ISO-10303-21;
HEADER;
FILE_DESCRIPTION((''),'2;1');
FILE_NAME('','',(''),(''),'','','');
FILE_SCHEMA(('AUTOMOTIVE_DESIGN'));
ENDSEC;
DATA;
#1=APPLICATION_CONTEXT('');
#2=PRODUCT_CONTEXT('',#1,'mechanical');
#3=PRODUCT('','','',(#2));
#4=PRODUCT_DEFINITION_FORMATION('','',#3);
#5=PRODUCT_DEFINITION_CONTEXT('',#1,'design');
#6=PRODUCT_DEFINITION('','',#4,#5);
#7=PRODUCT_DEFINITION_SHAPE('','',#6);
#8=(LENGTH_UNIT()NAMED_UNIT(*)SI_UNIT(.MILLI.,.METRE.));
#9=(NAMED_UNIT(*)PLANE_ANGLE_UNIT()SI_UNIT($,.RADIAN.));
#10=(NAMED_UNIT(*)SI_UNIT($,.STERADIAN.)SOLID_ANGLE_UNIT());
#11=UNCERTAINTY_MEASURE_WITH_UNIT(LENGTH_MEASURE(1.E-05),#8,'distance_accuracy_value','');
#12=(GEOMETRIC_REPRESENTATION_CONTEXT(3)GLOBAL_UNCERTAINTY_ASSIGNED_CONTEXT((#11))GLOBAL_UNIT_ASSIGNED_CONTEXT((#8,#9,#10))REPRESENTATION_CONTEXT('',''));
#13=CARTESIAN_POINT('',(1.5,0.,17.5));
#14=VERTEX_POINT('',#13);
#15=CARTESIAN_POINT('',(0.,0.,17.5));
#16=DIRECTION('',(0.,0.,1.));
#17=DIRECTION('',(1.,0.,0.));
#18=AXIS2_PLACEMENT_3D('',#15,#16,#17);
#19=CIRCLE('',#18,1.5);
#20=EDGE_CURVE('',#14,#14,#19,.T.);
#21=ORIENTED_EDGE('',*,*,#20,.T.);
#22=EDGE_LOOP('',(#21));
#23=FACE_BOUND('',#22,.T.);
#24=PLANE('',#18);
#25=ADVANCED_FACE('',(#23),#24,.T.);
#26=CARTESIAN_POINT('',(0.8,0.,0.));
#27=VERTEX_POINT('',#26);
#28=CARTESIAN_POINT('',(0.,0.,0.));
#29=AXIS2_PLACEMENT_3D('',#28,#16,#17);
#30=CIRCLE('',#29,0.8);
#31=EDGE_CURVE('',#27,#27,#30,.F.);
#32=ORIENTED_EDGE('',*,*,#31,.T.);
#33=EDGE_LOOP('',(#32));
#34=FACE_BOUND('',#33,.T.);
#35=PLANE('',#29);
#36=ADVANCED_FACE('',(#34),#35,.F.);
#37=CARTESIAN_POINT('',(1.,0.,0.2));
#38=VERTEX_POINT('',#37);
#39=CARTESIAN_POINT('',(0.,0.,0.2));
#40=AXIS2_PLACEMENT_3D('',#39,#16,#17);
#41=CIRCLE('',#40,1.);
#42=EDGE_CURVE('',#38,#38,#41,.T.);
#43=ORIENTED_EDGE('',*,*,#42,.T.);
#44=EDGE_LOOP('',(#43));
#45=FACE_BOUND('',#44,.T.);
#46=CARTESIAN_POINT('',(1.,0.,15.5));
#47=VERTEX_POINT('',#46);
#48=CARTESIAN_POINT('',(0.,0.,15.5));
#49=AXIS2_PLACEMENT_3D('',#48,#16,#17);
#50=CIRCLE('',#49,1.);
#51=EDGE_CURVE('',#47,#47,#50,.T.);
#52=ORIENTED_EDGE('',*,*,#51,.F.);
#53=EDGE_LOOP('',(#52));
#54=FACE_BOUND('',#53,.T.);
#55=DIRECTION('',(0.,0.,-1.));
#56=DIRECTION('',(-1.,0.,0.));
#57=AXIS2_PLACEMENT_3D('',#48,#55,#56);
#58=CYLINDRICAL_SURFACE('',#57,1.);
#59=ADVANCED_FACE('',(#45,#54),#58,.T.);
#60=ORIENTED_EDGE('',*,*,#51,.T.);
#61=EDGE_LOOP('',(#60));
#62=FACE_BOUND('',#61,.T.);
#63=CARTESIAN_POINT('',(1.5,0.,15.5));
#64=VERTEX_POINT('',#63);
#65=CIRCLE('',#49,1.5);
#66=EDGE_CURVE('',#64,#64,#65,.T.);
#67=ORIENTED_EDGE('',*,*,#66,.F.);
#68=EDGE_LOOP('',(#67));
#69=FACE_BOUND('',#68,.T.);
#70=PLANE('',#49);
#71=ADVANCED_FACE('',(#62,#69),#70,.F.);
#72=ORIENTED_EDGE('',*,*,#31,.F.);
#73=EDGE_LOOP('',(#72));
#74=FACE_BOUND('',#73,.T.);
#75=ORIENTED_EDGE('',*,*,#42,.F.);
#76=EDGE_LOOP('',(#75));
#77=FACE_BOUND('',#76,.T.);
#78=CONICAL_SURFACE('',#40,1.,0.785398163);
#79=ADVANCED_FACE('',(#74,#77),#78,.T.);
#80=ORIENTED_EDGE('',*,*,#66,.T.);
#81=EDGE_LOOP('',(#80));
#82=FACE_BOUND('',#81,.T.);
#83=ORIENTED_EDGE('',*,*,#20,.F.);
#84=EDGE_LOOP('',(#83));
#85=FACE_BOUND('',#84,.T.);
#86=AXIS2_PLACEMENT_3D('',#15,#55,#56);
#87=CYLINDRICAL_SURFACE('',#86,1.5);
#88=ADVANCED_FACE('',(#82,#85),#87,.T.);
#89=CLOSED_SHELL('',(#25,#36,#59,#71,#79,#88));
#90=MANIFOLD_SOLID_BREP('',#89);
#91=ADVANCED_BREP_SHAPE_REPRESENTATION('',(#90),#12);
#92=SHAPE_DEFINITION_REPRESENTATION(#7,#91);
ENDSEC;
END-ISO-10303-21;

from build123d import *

# Parameters (mm, degrees)
CROQUIS1_R              = 1
SALIENTE_EXTRUIR1_DEPTH = 15.5
CROQUIS2_R              = 1.5
SALIENTE_EXTRUIR2_DEPTH = 2
CHAFL_N1_SIZE           = 0.2


with BuildPart() as part:
    # Croquis1 → Saliente-Extruir1 (new body)
    with BuildSketch(Plane.XY):
        Circle(CROQUIS1_R)
    extrude(amount=SALIENTE_EXTRUIR1_DEPTH)

    # Croquis2 → Saliente-Extruir2 (add)
    with BuildSketch(Plane.XY.offset(15.5)):
        Circle(CROQUIS2_R)
    extrude(amount=SALIENTE_EXTRUIR2_DEPTH)

    # Chaflán1
    chafl_n1_edges = [part.edges().sort_by_distance(p)[0] for p in [
        (-1, 0, 0),
    ]]
    chamfer(chafl_n1_edges, length=CHAFL_N1_SIZE)


solid = part.part
